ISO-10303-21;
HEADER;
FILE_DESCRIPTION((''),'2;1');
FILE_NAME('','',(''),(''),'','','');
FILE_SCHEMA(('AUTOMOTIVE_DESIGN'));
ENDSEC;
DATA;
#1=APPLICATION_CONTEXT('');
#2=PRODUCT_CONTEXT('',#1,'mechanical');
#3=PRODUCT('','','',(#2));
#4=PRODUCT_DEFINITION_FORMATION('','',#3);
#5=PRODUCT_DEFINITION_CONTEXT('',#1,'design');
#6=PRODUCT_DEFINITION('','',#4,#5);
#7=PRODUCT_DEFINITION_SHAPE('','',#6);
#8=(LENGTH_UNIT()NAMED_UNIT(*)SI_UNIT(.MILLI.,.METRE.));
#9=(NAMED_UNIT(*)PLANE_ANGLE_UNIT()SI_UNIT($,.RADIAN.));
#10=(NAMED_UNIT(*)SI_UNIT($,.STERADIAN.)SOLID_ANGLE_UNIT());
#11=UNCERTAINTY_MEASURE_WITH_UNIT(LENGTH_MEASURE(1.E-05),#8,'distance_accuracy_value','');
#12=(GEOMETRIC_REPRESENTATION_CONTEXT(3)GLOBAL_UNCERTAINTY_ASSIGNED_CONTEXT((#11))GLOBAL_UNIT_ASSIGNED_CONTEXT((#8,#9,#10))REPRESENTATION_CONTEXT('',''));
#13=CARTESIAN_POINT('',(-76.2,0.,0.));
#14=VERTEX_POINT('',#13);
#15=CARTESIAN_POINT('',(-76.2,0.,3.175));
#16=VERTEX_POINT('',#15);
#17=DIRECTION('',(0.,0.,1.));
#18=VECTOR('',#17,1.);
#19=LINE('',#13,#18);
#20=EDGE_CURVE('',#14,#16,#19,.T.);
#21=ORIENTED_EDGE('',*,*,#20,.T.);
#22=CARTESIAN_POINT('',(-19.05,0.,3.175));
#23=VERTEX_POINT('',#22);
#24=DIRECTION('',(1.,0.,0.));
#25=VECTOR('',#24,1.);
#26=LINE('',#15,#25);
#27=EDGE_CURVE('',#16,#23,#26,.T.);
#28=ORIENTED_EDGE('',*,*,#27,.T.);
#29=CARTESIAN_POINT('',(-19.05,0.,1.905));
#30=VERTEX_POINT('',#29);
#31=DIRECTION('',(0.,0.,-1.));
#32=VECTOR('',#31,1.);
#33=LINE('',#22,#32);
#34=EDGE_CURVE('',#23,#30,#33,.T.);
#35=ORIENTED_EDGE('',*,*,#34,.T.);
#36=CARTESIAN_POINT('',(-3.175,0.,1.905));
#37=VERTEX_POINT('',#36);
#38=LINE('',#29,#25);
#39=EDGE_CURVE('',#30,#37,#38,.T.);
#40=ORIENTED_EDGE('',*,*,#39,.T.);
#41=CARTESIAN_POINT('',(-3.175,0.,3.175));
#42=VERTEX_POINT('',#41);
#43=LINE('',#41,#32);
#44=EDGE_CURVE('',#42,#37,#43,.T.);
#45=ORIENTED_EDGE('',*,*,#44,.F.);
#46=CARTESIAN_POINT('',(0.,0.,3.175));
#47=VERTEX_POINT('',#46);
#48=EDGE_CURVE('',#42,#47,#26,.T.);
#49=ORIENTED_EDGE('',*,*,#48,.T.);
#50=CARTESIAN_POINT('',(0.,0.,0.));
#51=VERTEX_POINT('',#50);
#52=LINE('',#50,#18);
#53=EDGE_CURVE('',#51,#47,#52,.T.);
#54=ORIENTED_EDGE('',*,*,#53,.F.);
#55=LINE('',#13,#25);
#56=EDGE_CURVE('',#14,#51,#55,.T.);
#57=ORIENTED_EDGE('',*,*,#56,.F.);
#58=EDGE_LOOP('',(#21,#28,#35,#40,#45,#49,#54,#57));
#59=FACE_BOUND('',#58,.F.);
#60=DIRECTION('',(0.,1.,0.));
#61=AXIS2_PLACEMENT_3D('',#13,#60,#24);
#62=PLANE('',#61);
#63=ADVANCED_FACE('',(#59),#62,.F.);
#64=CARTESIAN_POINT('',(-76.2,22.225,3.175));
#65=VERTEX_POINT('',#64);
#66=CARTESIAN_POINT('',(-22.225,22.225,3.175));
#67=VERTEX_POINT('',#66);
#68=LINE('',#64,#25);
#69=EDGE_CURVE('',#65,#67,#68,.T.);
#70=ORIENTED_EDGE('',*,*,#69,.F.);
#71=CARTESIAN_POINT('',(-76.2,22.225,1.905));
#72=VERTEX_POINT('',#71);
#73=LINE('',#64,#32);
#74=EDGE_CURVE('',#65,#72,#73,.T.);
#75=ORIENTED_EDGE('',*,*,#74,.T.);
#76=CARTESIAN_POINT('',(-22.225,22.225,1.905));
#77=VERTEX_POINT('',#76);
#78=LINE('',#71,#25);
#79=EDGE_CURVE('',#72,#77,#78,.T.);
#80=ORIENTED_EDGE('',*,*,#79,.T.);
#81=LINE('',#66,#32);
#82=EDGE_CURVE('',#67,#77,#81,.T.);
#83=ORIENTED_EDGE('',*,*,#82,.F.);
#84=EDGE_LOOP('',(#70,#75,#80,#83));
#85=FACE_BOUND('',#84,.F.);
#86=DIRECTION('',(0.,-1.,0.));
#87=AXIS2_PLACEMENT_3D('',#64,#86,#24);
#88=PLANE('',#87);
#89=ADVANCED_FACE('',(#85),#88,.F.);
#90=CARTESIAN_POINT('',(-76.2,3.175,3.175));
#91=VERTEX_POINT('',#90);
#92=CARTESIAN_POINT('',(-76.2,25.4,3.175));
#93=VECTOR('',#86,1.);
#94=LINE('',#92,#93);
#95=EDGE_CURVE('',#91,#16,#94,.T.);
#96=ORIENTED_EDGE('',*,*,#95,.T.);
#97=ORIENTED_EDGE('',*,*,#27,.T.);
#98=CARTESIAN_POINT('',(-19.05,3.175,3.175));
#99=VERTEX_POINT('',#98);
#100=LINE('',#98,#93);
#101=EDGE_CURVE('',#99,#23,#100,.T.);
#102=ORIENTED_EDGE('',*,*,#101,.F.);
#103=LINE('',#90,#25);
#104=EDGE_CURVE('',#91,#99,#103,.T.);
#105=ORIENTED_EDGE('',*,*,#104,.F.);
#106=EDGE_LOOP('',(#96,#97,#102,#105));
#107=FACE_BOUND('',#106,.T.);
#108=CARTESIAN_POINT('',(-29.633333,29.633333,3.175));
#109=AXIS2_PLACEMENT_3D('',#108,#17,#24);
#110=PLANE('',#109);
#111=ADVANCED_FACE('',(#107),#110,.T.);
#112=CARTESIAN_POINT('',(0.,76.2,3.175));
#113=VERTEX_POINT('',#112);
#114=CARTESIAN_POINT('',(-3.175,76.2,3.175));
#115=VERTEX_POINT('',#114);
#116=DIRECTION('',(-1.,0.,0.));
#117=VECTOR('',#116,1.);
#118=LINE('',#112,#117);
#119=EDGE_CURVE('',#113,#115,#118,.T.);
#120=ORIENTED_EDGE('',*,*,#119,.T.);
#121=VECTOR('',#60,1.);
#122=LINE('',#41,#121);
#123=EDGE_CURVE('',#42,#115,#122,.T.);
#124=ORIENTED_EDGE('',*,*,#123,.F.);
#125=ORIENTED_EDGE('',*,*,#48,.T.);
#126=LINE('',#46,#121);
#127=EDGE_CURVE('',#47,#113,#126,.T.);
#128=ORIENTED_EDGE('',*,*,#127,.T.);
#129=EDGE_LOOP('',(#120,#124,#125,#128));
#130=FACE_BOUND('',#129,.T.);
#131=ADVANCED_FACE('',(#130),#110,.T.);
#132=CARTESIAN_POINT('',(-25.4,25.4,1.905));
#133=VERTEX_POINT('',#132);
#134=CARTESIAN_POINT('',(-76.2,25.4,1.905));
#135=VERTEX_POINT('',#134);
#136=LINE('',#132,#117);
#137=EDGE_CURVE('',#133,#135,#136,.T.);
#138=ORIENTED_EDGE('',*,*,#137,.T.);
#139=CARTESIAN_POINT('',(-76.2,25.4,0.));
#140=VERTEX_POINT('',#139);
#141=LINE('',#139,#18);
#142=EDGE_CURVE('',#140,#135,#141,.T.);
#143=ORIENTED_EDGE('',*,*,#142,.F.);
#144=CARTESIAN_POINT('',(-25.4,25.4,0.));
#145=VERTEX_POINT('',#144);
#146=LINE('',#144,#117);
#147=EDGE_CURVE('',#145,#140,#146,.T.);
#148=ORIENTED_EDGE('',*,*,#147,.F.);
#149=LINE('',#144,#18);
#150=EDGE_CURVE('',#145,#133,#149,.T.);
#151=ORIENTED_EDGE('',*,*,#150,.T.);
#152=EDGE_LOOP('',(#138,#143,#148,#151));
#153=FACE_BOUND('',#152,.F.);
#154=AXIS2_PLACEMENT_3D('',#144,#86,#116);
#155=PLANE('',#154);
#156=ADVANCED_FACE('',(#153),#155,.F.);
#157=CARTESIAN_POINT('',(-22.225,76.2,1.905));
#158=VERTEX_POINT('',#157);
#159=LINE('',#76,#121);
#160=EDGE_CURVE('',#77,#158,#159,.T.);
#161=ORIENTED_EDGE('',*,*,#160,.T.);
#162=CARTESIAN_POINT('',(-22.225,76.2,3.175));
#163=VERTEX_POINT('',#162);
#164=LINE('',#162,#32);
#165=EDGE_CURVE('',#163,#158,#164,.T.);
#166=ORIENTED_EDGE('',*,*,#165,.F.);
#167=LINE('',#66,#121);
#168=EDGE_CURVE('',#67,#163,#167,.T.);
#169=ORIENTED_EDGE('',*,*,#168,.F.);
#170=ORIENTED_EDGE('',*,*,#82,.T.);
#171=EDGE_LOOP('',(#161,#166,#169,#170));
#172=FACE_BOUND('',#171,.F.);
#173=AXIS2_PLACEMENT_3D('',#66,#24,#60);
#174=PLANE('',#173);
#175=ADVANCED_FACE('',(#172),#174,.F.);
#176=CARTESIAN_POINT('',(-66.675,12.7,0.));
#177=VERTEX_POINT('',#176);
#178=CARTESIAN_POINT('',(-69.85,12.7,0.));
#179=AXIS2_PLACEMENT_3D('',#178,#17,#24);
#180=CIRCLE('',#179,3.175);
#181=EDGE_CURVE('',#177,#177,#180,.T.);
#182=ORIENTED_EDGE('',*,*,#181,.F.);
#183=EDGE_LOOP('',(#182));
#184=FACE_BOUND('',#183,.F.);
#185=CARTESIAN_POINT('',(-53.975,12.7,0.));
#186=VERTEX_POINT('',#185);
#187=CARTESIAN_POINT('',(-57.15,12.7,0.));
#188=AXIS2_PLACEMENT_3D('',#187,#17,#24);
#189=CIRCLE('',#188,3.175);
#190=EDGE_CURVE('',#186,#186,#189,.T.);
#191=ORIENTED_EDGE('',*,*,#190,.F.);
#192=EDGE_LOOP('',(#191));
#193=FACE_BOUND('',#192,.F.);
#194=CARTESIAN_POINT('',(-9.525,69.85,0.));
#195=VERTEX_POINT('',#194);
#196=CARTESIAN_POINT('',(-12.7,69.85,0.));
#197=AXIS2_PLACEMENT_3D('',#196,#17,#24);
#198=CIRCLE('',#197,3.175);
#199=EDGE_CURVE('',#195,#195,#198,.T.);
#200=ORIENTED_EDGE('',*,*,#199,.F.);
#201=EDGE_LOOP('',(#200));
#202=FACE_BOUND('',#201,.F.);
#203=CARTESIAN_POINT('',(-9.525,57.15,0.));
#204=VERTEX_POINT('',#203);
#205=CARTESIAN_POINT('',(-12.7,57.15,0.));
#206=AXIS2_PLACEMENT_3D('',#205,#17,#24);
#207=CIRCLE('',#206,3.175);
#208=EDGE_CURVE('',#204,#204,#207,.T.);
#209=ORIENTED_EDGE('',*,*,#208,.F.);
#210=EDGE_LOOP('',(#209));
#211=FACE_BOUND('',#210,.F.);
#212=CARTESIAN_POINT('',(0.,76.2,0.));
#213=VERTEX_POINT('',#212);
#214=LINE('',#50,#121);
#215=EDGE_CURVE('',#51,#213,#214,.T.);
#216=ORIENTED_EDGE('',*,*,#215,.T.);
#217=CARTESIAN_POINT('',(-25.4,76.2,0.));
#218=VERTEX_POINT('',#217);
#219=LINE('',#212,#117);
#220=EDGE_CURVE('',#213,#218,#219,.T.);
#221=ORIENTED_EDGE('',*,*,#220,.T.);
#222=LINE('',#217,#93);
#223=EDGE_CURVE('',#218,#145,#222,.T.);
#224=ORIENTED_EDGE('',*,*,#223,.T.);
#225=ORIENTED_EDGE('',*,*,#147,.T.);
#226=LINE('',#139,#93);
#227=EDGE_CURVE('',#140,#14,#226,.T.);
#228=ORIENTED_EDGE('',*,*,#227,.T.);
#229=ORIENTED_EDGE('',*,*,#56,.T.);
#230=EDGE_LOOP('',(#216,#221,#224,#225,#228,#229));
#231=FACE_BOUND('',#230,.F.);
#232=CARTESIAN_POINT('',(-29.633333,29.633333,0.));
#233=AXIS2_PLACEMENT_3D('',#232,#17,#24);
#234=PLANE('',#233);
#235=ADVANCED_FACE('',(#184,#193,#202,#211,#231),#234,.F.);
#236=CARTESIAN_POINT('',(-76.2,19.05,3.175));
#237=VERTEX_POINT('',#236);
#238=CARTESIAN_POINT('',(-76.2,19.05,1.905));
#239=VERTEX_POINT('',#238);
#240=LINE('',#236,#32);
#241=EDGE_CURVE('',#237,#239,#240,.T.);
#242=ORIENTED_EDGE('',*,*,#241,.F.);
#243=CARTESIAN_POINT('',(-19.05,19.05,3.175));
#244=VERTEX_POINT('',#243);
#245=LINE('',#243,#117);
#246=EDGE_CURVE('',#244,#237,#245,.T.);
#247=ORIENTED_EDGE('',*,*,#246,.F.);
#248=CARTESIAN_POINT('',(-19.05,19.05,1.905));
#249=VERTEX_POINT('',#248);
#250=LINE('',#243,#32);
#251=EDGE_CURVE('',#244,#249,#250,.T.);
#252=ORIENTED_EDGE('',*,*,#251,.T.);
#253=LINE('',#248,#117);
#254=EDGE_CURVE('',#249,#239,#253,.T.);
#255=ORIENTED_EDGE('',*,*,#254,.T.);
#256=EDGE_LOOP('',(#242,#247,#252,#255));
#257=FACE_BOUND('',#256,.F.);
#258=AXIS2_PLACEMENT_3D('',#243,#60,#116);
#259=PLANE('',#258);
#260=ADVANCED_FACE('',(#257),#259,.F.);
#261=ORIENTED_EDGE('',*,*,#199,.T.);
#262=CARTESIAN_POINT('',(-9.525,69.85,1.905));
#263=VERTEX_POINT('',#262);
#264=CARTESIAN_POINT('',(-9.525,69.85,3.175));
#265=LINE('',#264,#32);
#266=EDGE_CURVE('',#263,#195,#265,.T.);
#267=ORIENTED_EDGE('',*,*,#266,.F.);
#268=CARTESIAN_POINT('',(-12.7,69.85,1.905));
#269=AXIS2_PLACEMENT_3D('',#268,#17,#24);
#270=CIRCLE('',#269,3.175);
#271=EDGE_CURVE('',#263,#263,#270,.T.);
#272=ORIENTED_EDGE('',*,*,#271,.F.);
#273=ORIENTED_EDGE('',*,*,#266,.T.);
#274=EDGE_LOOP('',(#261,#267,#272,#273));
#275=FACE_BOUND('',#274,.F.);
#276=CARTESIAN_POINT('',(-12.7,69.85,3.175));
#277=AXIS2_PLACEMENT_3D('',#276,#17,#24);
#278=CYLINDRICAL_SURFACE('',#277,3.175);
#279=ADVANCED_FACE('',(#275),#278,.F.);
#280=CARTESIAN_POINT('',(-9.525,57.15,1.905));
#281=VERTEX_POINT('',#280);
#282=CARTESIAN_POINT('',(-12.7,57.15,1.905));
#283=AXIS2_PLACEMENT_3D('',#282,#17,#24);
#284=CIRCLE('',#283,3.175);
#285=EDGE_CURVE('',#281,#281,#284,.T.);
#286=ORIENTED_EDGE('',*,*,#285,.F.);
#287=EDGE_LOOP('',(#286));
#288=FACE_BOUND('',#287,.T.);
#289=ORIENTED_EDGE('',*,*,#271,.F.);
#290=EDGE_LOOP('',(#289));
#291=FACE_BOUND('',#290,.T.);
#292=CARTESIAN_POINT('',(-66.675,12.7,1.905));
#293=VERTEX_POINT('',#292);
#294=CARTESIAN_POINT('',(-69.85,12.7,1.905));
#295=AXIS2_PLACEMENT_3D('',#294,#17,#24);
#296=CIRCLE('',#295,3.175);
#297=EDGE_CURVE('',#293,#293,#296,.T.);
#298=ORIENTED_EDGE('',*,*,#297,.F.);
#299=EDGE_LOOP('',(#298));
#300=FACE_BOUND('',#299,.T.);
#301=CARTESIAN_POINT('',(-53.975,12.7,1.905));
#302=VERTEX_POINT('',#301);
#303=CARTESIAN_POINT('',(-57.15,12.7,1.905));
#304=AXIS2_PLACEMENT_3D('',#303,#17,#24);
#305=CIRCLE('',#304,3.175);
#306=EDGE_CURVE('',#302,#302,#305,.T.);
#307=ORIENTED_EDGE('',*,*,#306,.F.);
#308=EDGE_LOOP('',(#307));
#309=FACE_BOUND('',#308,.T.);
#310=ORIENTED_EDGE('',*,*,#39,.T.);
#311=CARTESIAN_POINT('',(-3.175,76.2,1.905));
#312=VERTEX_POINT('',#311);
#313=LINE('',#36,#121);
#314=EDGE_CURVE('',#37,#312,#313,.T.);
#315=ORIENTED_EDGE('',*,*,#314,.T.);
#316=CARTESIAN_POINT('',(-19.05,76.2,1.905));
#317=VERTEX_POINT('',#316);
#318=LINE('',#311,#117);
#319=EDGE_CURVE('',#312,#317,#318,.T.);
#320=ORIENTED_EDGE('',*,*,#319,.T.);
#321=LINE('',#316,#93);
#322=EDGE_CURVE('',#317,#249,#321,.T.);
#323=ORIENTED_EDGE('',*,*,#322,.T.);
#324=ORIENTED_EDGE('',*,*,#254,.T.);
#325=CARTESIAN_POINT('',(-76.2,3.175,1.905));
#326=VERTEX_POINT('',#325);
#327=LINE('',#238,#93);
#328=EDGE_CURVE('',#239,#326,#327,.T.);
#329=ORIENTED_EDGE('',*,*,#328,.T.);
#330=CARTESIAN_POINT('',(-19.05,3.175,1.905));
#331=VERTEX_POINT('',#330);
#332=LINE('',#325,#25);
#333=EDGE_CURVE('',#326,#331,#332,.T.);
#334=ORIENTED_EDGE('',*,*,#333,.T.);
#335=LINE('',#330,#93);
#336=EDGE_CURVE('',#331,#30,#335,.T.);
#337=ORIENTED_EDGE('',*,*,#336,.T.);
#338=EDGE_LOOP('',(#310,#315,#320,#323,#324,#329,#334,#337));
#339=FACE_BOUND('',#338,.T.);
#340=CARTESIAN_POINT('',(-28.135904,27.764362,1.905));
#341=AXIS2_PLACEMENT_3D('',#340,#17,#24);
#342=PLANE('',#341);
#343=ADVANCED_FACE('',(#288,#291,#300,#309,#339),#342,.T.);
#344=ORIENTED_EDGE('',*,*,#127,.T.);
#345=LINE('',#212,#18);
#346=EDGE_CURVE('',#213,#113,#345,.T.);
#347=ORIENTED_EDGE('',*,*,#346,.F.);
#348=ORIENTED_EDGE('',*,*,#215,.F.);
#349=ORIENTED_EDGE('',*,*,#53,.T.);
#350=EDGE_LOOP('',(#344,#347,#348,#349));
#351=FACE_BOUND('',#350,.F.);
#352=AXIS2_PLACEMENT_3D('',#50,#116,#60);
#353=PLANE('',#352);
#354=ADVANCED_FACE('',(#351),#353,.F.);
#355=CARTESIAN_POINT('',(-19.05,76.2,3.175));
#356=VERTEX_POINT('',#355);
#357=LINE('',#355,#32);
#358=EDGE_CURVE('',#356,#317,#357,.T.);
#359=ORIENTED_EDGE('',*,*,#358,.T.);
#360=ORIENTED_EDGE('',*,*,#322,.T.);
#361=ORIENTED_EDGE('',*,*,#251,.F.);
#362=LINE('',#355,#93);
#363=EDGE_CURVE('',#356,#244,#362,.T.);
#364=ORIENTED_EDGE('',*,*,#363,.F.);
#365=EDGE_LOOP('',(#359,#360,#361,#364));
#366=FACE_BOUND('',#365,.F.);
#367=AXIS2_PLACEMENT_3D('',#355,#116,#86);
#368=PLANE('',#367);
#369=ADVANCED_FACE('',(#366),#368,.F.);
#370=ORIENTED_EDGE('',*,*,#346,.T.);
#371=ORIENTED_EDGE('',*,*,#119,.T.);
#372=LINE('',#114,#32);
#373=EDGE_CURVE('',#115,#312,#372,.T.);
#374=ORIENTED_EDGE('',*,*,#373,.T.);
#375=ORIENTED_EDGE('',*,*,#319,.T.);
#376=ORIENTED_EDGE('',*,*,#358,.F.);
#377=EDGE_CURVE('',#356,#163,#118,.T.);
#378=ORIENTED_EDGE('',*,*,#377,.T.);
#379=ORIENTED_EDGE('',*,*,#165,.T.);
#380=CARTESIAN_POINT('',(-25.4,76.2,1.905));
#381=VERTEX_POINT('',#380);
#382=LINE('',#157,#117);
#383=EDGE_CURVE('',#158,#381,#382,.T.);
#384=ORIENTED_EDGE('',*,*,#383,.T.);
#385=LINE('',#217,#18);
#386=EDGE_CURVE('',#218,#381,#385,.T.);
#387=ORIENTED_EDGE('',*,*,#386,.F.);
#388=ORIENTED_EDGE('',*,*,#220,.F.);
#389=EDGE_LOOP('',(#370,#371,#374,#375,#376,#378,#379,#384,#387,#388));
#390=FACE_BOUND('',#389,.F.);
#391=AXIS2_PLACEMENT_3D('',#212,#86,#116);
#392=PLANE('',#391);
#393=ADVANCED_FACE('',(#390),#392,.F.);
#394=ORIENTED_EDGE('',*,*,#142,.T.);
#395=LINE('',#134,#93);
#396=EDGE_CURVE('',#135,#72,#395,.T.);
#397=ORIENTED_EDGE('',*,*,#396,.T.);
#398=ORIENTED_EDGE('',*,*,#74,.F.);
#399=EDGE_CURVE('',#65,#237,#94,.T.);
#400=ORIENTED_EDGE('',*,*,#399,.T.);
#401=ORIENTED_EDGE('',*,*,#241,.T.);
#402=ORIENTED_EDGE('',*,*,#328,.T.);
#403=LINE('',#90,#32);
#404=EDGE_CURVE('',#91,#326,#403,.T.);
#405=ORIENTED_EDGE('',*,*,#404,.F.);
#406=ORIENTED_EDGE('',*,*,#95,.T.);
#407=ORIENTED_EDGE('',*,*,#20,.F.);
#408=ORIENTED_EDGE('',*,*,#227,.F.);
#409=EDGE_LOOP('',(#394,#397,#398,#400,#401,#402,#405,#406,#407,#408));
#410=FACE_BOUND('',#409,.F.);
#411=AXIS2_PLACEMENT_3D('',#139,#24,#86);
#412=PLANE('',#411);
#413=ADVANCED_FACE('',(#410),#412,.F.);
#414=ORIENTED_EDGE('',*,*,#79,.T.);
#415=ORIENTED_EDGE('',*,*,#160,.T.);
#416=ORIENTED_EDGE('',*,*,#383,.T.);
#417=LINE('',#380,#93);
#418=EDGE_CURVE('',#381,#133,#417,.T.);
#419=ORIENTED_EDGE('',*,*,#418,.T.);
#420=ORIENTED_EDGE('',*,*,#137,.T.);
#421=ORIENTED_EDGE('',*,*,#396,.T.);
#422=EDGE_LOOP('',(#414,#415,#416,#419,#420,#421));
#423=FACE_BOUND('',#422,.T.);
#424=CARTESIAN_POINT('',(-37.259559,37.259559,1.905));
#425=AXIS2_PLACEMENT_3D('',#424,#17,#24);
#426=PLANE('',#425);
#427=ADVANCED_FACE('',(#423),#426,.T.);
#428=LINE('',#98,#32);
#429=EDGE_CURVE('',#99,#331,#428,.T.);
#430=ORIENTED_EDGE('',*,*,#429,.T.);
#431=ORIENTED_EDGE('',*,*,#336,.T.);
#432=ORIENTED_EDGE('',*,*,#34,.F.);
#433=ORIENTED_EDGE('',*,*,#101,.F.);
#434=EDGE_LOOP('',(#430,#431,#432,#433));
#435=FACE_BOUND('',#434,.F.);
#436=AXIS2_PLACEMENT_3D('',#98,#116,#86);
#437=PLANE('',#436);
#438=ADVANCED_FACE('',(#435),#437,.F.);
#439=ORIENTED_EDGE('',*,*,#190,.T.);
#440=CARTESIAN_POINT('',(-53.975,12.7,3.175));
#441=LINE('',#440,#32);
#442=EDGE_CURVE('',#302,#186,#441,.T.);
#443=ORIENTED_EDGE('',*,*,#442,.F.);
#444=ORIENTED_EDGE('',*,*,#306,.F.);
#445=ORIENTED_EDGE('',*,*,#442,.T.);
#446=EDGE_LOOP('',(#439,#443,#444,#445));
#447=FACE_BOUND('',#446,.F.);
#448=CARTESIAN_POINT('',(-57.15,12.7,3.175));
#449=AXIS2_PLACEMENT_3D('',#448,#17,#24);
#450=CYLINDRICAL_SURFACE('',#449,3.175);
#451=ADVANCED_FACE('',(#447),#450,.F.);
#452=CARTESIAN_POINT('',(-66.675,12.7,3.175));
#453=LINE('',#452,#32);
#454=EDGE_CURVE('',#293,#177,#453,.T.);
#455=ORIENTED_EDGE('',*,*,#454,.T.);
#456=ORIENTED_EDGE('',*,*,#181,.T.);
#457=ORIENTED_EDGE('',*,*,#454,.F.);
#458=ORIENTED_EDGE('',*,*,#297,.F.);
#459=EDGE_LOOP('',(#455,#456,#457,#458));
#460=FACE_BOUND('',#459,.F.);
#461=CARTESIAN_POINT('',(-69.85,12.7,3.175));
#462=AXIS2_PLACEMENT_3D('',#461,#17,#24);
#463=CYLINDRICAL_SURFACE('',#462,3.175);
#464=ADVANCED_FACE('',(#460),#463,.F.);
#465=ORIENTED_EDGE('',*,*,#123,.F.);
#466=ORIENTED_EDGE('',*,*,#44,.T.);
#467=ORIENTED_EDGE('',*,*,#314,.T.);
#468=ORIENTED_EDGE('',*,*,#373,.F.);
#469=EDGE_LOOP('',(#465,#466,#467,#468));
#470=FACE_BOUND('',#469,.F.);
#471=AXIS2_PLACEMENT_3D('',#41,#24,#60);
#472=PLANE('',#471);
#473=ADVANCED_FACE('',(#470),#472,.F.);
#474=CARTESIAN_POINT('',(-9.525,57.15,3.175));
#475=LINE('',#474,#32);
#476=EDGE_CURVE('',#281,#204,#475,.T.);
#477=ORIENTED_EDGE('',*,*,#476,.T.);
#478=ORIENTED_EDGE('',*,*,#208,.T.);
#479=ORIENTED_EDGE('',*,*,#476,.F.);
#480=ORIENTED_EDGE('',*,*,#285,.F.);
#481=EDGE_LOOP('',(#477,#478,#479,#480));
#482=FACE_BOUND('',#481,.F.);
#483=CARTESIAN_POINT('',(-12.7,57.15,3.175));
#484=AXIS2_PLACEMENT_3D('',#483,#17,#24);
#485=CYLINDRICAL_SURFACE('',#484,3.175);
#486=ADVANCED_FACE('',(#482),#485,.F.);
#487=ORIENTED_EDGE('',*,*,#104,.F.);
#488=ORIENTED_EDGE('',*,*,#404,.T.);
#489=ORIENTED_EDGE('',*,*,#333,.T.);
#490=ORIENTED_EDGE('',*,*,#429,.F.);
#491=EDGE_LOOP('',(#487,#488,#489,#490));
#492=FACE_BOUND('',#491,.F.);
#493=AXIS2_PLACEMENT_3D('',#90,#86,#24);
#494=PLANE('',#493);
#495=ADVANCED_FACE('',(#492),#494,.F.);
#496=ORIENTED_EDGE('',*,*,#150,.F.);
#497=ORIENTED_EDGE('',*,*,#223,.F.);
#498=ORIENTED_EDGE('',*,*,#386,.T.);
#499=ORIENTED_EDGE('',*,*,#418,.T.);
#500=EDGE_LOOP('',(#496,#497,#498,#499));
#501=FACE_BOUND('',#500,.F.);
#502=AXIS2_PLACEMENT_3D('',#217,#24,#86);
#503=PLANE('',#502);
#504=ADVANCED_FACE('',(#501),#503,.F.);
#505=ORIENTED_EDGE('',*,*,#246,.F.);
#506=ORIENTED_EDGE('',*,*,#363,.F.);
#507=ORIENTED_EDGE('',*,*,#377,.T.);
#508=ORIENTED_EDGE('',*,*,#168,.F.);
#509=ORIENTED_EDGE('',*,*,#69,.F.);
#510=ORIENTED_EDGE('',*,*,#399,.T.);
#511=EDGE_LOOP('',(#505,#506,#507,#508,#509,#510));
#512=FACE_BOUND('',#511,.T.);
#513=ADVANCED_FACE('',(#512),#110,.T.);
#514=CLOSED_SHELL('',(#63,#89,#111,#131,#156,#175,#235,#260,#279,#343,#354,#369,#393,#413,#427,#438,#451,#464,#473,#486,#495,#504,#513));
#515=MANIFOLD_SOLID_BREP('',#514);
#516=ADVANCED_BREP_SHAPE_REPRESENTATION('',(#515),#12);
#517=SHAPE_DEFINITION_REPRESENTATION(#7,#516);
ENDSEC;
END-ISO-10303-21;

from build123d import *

# Parameters (mm, degrees)
F1_DEPTH = 3.175
F3_DEPTH = 1.27
F4_R     = 3.175
F5_DEPTH = 25.4


with BuildPart() as f1:
    # F0 (on Top) → F1 (new body)
    with BuildSketch(Plane.XY):
        Polygon((-76.2, 0), (0, 0), (0, 76.2), (-25.4, 76.2), (-25.4, 25.4), (-76.2, 25.4), align=None)
    extrude(amount=F1_DEPTH)

    # F2 (on face) → F3 (cut)
    with BuildSketch(Plane.XY.offset(3.175)):
        Polygon((-22.225, 76.2), (-25.4, 76.2), (-25.4, 25.4), (-76.2, 25.4), (-76.2, 22.225), (-25.4, 22.225), (-22.225, 22.225), (-22.225, 25.4), align=None)
        Polygon((-3.175, 76.2), (-19.05, 76.2), (-19.05, 19.05), (-76.2, 19.05), (-76.2, 3.175), (-19.05, 3.175), (-19.05, 0), (-3.175, 0), align=None)
    extrude(amount=-F3_DEPTH, mode=Mode.SUBTRACT)

    # F4 (on face) → F5 (cut)
    with BuildSketch(Plane.XY.offset(3.175)):
        with Locations((-12.7, 69.85)):
            Circle(F4_R)
        with Locations((-12.7, 57.15)):
            Circle(F4_R)
        with Locations((-57.15, 12.7)):
            Circle(F4_R)
        with Locations((-69.85, 12.7)):
            Circle(F4_R)
    extrude(amount=-F5_DEPTH, mode=Mode.SUBTRACT)


solid = f1.part
